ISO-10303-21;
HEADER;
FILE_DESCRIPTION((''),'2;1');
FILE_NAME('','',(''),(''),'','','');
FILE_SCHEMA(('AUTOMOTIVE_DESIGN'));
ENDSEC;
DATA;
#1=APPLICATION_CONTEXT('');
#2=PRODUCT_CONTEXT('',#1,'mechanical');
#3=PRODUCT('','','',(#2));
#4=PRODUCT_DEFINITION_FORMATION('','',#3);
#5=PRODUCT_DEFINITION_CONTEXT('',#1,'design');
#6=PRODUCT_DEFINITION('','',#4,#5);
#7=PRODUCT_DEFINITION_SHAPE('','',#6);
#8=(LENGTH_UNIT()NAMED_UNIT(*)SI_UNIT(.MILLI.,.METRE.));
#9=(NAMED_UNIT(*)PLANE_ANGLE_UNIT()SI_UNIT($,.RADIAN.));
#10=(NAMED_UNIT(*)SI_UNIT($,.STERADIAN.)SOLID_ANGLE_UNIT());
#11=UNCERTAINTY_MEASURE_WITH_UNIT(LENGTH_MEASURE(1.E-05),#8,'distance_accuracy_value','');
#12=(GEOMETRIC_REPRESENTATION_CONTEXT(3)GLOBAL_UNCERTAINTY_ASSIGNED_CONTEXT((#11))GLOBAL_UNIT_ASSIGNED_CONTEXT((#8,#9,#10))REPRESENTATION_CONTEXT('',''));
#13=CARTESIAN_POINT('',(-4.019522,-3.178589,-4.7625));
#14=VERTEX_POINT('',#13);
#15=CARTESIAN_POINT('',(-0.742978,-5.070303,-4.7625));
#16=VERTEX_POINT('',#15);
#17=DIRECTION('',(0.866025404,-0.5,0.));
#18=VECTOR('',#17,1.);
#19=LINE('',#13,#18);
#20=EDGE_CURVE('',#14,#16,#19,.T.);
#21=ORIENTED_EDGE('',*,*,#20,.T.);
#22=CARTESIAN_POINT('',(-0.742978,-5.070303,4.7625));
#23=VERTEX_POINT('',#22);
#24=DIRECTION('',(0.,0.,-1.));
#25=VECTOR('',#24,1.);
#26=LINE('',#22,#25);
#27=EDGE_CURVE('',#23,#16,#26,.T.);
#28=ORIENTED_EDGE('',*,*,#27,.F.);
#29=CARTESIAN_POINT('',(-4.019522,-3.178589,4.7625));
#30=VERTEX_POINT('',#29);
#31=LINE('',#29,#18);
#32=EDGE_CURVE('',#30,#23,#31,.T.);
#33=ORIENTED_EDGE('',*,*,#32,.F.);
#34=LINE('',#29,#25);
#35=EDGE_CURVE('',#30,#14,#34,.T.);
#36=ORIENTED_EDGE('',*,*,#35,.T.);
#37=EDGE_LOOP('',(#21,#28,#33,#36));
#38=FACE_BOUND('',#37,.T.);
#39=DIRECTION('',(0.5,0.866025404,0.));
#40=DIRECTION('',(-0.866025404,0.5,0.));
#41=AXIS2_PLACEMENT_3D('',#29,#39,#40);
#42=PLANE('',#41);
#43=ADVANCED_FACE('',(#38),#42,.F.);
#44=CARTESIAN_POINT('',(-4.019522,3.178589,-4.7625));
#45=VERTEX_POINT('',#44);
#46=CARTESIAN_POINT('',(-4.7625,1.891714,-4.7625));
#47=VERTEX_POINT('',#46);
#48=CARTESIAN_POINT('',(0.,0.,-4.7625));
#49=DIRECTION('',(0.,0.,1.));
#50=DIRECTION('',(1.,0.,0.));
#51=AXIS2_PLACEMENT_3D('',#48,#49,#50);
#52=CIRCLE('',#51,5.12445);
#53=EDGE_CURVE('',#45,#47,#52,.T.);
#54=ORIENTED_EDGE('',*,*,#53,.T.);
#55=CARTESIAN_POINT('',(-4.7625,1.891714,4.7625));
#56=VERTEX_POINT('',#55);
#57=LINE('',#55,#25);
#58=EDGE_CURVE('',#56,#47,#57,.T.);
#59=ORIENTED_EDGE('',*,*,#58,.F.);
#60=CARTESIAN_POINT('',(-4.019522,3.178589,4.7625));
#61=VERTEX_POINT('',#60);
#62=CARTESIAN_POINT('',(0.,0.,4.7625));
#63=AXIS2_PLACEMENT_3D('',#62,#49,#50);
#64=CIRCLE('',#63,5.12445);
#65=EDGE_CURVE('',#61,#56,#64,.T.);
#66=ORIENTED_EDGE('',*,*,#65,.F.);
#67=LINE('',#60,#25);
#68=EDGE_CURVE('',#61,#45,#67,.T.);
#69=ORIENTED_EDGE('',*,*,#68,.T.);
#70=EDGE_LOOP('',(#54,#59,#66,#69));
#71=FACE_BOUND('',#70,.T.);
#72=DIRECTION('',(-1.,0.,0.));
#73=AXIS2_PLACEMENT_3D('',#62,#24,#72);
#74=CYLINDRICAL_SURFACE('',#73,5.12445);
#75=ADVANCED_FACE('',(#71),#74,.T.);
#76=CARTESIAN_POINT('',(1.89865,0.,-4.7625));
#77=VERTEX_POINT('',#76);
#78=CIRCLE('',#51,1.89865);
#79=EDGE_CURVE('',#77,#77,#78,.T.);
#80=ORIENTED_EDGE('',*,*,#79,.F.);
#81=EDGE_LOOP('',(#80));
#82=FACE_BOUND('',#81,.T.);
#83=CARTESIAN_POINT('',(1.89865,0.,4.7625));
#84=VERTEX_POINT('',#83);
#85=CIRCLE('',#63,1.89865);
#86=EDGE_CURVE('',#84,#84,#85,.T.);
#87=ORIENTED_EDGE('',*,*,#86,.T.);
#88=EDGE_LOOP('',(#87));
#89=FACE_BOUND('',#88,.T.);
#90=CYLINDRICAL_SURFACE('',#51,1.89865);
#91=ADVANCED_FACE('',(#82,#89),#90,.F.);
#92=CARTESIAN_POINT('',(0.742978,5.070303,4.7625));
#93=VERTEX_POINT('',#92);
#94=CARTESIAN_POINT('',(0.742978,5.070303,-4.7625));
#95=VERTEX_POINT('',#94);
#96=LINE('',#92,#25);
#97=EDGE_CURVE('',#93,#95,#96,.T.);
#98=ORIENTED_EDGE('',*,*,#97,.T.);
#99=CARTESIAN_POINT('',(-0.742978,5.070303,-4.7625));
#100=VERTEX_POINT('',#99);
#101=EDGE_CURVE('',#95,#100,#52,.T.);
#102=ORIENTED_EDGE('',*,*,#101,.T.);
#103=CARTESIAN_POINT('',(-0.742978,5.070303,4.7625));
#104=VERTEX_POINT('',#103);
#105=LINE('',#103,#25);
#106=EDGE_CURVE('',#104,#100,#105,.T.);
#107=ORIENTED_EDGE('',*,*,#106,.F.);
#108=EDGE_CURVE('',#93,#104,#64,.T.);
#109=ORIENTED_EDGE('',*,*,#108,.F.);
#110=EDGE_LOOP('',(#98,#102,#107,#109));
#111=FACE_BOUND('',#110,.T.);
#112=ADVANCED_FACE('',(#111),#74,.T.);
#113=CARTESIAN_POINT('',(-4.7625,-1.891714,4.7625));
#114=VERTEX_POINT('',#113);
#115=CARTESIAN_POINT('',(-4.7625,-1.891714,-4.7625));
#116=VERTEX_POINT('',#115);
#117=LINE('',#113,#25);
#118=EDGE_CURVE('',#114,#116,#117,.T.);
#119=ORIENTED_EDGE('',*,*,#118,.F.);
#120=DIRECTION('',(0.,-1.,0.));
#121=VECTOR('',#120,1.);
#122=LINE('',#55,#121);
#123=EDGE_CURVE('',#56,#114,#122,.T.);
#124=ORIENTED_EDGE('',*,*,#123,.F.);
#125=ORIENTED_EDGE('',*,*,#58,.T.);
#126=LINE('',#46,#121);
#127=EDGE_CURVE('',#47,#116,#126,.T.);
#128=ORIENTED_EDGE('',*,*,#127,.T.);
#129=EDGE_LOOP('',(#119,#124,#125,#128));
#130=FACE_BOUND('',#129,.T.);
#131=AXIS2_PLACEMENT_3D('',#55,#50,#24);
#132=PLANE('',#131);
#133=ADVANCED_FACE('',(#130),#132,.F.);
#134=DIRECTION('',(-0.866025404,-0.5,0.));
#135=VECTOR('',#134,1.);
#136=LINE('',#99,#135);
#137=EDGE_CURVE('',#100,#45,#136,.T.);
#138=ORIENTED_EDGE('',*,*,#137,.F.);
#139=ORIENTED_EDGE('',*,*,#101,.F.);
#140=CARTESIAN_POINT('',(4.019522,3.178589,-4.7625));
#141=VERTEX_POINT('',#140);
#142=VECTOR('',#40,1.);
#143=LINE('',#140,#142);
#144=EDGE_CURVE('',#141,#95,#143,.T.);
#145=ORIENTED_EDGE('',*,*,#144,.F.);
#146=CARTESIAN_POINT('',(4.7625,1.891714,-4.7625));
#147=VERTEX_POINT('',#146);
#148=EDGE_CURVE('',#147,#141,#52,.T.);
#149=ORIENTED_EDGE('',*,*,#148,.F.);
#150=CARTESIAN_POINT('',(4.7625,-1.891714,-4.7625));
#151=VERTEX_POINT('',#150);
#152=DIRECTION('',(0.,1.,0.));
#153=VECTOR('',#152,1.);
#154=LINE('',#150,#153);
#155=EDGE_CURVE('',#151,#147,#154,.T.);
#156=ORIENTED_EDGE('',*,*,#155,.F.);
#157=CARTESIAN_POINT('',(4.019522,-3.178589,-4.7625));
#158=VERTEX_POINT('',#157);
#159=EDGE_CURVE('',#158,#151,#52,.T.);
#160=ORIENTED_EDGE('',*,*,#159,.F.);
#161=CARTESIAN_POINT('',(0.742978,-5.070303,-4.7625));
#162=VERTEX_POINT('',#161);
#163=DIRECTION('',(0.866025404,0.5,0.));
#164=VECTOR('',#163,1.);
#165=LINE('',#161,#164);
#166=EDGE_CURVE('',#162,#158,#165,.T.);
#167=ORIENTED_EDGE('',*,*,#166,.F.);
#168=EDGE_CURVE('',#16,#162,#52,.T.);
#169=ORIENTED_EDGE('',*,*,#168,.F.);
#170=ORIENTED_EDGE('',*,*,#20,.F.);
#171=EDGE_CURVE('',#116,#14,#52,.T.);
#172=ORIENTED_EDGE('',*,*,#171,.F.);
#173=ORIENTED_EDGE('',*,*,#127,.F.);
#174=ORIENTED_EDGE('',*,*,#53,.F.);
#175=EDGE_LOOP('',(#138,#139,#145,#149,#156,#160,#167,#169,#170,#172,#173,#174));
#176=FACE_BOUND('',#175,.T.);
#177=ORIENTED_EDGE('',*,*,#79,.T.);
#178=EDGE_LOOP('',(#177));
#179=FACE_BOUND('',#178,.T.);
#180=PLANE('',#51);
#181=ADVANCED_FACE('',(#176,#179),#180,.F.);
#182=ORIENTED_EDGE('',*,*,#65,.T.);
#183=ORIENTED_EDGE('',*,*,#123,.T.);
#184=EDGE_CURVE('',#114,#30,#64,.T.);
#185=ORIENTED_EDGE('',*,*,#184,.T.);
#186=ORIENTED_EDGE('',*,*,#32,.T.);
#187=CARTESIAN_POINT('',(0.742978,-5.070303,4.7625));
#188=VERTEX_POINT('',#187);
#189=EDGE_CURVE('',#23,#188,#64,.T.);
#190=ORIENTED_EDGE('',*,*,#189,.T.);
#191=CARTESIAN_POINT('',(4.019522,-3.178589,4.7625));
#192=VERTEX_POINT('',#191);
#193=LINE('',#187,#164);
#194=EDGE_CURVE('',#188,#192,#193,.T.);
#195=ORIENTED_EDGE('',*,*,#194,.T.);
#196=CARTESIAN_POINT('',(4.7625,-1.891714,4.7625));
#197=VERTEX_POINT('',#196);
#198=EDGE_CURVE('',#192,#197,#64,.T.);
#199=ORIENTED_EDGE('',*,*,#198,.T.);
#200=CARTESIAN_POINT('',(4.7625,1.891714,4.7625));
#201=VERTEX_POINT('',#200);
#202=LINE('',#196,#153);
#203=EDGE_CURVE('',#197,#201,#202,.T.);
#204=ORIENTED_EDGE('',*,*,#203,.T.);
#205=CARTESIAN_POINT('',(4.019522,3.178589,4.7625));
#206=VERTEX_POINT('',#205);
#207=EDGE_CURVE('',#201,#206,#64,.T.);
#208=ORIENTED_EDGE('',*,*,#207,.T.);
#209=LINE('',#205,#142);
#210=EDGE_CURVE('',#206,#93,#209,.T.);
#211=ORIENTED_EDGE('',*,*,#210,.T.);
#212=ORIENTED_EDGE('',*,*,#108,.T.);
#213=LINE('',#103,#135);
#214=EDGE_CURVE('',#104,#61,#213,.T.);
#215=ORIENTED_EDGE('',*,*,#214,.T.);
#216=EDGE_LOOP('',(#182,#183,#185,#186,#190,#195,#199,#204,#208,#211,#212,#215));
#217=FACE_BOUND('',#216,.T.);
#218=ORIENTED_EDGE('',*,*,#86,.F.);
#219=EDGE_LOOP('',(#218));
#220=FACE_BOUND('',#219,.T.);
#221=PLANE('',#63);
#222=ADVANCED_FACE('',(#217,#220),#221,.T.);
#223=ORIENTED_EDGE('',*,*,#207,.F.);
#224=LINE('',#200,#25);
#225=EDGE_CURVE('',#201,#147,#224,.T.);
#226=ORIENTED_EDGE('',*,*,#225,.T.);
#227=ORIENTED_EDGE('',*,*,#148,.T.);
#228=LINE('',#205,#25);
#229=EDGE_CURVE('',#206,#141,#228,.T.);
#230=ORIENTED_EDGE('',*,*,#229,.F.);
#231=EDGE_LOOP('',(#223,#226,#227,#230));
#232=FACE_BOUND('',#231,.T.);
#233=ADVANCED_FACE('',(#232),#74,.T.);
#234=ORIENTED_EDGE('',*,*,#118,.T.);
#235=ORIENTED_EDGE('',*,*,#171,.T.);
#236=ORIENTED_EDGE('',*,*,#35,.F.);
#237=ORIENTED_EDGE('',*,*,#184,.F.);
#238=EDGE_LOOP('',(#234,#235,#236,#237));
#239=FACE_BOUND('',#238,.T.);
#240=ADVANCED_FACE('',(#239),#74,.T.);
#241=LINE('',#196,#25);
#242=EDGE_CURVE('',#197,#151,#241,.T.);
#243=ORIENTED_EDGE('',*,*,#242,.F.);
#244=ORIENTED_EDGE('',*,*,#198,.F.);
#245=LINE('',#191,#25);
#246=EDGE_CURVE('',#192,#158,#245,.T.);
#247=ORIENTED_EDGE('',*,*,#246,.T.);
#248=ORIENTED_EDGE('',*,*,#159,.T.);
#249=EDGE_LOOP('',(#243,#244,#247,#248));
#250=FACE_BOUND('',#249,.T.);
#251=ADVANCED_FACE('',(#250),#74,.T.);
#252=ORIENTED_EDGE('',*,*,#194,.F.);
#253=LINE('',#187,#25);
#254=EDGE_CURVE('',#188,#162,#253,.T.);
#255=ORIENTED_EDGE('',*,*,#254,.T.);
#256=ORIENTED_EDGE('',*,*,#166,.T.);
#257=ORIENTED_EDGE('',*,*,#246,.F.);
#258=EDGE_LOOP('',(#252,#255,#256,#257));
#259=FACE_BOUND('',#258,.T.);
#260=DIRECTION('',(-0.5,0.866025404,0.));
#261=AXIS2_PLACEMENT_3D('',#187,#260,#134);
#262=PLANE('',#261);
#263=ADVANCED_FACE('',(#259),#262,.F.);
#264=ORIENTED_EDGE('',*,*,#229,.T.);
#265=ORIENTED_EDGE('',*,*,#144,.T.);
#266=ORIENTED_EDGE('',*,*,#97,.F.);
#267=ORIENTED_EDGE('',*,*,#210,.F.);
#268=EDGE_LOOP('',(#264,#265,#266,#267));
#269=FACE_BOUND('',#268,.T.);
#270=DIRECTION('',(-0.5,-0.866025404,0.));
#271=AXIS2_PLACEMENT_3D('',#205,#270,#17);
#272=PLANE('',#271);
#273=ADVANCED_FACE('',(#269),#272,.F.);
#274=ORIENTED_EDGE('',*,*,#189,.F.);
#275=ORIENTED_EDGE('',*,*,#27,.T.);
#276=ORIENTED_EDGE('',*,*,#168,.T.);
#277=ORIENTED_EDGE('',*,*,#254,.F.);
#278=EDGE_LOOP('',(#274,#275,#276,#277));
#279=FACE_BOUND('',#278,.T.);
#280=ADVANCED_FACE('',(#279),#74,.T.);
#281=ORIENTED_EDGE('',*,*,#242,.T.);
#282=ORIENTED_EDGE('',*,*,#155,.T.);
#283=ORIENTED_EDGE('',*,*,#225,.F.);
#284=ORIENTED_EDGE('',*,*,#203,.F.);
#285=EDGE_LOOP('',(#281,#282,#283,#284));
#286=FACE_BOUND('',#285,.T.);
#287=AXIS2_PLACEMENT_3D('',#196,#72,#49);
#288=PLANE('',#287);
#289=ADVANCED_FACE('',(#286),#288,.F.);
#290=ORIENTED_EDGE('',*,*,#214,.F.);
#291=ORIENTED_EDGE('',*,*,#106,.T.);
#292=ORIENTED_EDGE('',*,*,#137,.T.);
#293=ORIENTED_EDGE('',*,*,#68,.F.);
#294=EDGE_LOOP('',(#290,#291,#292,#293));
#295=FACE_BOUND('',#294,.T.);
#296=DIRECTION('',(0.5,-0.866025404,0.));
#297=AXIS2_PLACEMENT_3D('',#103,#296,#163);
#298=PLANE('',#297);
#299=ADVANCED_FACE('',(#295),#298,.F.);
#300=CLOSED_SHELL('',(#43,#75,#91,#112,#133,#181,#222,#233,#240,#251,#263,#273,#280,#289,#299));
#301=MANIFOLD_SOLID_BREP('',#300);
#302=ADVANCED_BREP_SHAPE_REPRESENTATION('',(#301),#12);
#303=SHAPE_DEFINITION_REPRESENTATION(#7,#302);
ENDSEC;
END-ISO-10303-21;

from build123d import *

# Parameters (mm, degrees)
SKETCH1_R               = 4.7625
BASIC_ROD_DEPTH         = 4.7625
BASIC_ROD_DEPTH_BACK    = 4.7625
THEX_DEPTH              = 4.7625
SKETCH2_R               = 1.89865
INTERNAL_CUT_DEPTH      = 5.7625
INTERNAL_CUT_DEPTH_BACK = 5.7625


with BuildPart() as part:
    # Sketch1 → Basic Rod (new body, two sides)
    with BuildSketch(Plane.XY) as basic_rod_sk:
        Circle(SKETCH1_R)
    extrude(amount=BASIC_ROD_DEPTH)
    extrude(basic_rod_sk.sketch, amount=-BASIC_ROD_DEPTH_BACK)

    # Sketch8 → THex (add, symmetric)
    with BuildSketch(Plane.XY):
        with BuildLine():
            Line((-0.742977689, 5.070302945), (-4.019522311, 3.178589026))
            ThreePointArc((-4.019522311, 3.178589026), (-4.43790388, 2.562225), (-4.7625, 1.891713919))
            Line((-4.7625, 1.891713919), (-4.7625, -1.891713919))
            ThreePointArc((-4.7625, -1.891713919), (-4.43790388, -2.562225), (-4.019522311, -3.178589026))
            Line((-4.019522311, -3.178589026), (-0.742977689, -5.070302945))
            ThreePointArc((-0.742977689, -5.070302945), (0, -5.12445), (0.742977689, -5.070302945))
            Line((0.742977689, -5.070302945), (4.019522311, -3.178589026))
            ThreePointArc((4.019522311, -3.178589026), (4.43790388, -2.562225), (4.7625, -1.891713919))
            Line((4.7625, -1.891713919), (4.7625, 1.891713919))
            ThreePointArc((4.7625, 1.891713919), (4.43790388, 2.562225), (4.019522311, 3.178589026))
            Line((4.019522311, 3.178589026), (0.742977689, 5.070302945))
            ThreePointArc((0.742977689, 5.070302945), (0, 5.12445), (-0.742977689, 5.070302945))
        make_face()
    extrude(amount=THEX_DEPTH, both=True)

    # Sketch2 → Internal Cut (cut, two sides)
    with BuildSketch(Plane.XY) as internal_cut_sk:
        Circle(SKETCH2_R)
    extrude(amount=INTERNAL_CUT_DEPTH, mode=Mode.SUBTRACT)
    extrude(internal_cut_sk.sketch, amount=-INTERNAL_CUT_DEPTH_BACK, mode=Mode.SUBTRACT)


solid = part.part
